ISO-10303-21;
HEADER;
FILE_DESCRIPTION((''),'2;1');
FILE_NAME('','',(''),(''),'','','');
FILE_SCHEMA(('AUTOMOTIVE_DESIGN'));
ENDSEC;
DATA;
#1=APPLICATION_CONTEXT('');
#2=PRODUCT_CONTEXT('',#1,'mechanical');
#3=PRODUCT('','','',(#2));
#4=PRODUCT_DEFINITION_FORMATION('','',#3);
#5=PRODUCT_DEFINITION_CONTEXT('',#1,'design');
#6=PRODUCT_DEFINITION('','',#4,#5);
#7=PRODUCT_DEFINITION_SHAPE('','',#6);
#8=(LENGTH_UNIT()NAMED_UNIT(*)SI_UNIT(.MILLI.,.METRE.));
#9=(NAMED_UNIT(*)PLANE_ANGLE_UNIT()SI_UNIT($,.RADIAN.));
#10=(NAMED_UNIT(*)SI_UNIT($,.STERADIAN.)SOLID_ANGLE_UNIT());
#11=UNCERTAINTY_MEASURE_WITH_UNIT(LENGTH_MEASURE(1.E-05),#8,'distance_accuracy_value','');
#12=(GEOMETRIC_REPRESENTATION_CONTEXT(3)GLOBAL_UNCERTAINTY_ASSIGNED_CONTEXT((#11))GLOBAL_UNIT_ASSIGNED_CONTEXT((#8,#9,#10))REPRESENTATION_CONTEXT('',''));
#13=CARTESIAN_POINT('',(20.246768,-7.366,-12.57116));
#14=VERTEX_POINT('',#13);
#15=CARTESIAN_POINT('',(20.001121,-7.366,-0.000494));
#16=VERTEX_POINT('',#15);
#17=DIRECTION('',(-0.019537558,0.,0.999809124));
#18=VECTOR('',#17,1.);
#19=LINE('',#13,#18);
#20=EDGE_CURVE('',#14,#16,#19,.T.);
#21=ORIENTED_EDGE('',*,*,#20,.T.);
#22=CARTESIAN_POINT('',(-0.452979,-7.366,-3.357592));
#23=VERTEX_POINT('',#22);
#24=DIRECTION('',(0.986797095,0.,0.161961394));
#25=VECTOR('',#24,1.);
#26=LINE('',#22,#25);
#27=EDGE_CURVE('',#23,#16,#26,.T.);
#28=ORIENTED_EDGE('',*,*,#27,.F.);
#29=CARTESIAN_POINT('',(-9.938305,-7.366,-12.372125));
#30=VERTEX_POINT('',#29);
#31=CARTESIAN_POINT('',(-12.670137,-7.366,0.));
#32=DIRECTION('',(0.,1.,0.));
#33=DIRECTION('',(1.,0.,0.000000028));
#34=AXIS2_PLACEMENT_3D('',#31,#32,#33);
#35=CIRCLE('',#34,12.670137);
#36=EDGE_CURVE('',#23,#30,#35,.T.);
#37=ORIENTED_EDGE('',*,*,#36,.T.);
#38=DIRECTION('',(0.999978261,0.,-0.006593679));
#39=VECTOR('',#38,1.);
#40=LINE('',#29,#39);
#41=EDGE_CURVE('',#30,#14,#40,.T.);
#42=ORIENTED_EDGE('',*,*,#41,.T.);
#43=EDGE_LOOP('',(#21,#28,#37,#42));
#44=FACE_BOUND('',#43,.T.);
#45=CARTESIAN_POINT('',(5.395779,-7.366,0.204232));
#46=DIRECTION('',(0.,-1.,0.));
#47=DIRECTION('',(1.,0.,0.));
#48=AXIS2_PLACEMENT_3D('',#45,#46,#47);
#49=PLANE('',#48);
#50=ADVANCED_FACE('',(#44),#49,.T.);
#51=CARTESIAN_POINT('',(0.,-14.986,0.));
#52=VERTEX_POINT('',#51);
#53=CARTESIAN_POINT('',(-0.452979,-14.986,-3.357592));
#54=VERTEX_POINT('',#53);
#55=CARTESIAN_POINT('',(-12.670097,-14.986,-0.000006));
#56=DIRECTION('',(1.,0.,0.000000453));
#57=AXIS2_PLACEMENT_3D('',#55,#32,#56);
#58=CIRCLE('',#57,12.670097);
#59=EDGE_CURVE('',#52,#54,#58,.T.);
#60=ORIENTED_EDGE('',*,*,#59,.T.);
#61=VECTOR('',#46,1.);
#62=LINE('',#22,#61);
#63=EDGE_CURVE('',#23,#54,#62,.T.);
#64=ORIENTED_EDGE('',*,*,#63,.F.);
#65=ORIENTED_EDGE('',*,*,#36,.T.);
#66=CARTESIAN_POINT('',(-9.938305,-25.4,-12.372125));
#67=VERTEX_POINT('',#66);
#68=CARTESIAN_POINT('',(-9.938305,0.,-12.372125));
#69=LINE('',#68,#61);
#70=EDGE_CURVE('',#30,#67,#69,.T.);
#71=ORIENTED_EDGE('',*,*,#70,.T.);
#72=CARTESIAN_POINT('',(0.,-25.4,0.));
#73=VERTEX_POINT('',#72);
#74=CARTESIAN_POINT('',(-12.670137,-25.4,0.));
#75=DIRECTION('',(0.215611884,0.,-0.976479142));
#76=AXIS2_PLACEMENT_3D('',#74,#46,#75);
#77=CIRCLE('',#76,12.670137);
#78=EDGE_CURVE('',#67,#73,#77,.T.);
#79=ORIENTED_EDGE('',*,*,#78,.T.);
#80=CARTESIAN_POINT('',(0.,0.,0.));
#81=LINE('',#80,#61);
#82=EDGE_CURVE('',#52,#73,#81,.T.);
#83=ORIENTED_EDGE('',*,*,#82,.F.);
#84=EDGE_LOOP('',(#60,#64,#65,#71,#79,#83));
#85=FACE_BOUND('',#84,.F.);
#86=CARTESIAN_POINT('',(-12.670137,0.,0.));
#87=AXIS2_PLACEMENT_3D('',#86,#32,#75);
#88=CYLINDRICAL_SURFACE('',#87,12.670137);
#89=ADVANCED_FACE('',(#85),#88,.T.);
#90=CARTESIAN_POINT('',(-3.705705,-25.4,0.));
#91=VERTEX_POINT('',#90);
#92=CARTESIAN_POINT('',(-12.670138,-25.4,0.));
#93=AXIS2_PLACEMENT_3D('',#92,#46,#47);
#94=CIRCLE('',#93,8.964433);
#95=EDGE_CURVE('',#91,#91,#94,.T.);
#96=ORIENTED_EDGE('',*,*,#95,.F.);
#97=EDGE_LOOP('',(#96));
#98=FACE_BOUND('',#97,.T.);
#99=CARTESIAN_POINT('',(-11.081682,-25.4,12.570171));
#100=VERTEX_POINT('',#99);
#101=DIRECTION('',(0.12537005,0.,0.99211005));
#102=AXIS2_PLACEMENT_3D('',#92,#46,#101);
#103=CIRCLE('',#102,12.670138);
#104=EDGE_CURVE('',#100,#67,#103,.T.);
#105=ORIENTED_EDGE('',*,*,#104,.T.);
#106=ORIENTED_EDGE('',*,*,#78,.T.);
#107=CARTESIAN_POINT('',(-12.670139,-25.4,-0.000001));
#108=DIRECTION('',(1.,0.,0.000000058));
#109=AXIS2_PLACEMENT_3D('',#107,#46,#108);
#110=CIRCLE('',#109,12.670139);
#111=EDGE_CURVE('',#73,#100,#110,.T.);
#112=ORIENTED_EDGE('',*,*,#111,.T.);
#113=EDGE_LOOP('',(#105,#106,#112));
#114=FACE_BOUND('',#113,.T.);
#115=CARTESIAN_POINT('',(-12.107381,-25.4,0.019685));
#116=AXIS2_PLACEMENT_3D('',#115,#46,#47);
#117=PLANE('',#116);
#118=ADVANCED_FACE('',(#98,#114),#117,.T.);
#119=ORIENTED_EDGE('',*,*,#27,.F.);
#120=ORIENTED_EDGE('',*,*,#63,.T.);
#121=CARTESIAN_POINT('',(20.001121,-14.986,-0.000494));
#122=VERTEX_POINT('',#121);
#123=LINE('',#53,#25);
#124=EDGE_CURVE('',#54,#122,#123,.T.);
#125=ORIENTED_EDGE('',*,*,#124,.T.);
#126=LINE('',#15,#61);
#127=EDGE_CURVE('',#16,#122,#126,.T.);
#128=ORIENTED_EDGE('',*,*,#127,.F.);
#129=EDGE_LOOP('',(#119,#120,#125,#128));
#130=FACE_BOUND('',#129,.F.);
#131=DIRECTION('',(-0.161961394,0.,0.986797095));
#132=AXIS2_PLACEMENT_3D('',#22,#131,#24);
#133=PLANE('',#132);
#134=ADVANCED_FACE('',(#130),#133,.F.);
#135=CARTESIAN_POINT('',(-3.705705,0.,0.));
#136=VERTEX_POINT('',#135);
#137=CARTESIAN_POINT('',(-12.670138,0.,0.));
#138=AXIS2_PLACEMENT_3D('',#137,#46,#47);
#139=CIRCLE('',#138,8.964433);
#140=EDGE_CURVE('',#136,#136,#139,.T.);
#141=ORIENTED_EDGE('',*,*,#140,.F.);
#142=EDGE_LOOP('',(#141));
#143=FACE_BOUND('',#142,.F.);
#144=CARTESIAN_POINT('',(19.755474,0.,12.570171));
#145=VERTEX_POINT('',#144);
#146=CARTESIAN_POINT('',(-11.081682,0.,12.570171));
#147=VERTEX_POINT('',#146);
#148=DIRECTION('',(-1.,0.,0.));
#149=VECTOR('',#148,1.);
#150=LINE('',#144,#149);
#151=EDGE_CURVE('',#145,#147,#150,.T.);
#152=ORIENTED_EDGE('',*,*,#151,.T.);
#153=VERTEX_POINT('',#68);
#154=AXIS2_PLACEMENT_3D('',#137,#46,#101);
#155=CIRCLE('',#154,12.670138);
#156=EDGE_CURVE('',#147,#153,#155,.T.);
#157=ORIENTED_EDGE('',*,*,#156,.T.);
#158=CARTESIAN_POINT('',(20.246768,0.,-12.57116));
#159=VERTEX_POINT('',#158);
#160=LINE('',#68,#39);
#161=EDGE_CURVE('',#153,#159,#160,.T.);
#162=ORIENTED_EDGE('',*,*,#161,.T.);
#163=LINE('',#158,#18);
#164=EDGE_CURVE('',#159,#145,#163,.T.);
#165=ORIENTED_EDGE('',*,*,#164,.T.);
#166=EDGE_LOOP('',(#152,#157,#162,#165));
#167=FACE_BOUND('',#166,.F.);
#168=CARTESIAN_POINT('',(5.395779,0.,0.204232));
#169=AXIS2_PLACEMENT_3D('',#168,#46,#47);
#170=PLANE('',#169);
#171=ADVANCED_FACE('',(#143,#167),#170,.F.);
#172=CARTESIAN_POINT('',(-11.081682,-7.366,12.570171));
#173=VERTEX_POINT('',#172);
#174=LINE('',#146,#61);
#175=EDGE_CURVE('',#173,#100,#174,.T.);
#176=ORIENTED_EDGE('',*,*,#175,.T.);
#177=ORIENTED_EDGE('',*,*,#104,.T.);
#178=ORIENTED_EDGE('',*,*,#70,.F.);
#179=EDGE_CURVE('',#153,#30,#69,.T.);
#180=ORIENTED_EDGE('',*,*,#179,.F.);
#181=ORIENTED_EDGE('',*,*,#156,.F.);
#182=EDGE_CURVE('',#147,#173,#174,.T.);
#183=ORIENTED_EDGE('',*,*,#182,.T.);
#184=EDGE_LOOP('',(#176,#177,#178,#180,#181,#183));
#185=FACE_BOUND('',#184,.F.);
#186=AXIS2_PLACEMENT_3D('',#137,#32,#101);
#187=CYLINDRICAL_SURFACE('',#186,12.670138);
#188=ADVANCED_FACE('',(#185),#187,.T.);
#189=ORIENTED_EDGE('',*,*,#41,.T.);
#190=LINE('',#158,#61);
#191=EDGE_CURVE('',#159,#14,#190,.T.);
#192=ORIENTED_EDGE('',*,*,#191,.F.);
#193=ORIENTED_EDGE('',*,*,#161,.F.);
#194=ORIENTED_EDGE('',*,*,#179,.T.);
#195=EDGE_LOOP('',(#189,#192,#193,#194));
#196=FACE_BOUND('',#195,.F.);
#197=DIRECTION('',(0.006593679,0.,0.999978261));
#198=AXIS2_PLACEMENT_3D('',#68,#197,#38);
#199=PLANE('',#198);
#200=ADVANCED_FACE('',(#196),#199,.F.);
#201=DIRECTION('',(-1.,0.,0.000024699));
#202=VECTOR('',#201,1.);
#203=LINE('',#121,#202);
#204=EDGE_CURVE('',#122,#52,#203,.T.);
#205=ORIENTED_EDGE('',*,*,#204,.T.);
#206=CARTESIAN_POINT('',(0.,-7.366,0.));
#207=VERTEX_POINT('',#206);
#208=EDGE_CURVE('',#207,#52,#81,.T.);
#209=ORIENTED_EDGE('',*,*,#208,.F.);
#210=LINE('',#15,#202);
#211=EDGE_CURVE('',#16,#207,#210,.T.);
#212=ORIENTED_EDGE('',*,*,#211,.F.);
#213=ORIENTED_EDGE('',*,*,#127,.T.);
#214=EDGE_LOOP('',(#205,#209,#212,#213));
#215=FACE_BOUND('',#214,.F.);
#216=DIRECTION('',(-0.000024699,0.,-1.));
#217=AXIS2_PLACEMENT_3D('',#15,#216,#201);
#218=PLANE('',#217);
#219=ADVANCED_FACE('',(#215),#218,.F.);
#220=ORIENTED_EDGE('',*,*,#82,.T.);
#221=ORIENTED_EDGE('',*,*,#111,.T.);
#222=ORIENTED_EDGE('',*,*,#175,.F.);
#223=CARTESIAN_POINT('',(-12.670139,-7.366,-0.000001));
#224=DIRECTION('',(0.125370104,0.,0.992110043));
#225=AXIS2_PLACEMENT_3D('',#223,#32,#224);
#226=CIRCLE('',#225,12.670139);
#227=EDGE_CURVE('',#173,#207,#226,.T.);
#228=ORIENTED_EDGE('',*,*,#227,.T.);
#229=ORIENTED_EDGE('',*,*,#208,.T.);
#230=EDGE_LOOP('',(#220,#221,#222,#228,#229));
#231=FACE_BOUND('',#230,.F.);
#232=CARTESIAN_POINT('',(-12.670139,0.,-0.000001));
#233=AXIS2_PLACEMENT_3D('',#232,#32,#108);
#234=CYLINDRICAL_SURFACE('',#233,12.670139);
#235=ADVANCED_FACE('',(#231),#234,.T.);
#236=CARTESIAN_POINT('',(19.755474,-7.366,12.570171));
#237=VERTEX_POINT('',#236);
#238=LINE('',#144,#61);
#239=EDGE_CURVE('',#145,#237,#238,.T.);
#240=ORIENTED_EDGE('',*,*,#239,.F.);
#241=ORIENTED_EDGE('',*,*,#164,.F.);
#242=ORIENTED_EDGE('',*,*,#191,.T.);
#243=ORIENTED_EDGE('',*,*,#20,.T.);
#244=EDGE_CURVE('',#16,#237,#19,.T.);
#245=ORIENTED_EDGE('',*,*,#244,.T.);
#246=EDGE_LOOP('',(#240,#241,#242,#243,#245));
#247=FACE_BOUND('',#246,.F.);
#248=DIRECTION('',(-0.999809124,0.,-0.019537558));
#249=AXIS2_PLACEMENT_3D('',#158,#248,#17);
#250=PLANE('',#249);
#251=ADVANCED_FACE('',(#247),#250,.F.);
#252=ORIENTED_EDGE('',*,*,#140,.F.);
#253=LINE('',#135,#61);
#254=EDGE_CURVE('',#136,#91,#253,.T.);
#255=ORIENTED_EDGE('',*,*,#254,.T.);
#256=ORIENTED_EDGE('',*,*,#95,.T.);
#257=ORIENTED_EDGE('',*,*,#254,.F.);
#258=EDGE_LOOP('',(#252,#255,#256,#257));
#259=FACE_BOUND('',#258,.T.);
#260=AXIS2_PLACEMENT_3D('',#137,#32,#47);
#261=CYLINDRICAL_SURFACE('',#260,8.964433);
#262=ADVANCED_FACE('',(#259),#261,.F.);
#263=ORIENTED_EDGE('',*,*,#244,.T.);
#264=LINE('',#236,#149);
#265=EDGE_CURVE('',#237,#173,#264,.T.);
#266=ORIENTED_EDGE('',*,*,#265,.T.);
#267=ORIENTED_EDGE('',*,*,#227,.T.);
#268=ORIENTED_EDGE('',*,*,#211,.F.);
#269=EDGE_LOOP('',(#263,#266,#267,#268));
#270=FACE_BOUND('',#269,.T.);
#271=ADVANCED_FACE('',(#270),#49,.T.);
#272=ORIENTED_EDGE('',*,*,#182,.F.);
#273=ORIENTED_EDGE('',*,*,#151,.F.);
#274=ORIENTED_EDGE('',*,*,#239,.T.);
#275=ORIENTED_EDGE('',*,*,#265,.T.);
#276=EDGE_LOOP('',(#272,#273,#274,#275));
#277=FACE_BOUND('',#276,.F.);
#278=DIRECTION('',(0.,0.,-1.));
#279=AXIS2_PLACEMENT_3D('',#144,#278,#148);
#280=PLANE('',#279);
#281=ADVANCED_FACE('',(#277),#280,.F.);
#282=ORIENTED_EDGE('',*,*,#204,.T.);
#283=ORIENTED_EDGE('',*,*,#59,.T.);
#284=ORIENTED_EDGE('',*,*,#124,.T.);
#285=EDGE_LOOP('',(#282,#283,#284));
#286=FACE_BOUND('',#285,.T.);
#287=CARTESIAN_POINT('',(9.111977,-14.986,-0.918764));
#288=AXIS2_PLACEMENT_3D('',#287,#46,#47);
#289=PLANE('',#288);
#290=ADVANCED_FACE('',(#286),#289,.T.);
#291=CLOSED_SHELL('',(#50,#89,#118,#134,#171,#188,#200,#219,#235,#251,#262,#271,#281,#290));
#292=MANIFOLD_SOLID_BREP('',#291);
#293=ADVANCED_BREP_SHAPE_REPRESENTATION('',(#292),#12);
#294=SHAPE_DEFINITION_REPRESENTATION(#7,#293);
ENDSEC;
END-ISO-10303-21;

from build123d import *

# Parameters (mm, degrees)
F0_R     = 8.964433
F1_DEPTH = 25.4
F2_DEPTH = 7.366
F4_DEPTH = 7.62


with BuildPart() as f1:
    # F0 (on Front) → F1 (new body)
    with BuildSketch(Plane.XZ):
        with BuildLine():
            ThreePointArc((-9.938305, -12.372125), (-2.792256, -7.934724), (0, 0))
            ThreePointArc((0, 0), (-3.165972, 8.378736), (-11.081682, 12.570171))
            ThreePointArc((-11.081682, 12.570171), (-25.326984, -0.580201), (-9.938305, -12.372125))
        make_face()
        with Locations((-12.670138, 0)):
            Circle(F0_R, mode=Mode.SUBTRACT)
    extrude(amount=F1_DEPTH)

    # F0 (on Front) → F2 (join)
    with BuildSketch(Plane.XZ):
        with BuildLine():
            ThreePointArc((-11.081682, 12.570171), (-3.165972, 8.378736), (0, 0))
            ThreePointArc((0, 0), (-2.792256, -7.934724), (-9.938305, -12.372125))
            Line((-9.938305, -12.372125), (20.246768, -12.57116))
            Line((20.246768, -12.57116), (19.755474, 12.570171))
            Line((19.755474, 12.570171), (-11.081682, 12.570171))
        make_face()
    extrude(amount=F2_DEPTH)

    # F3 (on face) → F4 (join)
    with BuildSketch(Plane.XZ.offset(7.366)):
        with BuildLine():
            Line((-0.452979, -3.357592), (20.001121, -0.000494))
            Line((20.001121, -0.000494), (0, 0))
            ThreePointArc((0, 0), (-0.113755, -1.694005), (-0.452979, -3.357592))
        make_face()
    extrude(amount=F4_DEPTH)


solid = f1.part
